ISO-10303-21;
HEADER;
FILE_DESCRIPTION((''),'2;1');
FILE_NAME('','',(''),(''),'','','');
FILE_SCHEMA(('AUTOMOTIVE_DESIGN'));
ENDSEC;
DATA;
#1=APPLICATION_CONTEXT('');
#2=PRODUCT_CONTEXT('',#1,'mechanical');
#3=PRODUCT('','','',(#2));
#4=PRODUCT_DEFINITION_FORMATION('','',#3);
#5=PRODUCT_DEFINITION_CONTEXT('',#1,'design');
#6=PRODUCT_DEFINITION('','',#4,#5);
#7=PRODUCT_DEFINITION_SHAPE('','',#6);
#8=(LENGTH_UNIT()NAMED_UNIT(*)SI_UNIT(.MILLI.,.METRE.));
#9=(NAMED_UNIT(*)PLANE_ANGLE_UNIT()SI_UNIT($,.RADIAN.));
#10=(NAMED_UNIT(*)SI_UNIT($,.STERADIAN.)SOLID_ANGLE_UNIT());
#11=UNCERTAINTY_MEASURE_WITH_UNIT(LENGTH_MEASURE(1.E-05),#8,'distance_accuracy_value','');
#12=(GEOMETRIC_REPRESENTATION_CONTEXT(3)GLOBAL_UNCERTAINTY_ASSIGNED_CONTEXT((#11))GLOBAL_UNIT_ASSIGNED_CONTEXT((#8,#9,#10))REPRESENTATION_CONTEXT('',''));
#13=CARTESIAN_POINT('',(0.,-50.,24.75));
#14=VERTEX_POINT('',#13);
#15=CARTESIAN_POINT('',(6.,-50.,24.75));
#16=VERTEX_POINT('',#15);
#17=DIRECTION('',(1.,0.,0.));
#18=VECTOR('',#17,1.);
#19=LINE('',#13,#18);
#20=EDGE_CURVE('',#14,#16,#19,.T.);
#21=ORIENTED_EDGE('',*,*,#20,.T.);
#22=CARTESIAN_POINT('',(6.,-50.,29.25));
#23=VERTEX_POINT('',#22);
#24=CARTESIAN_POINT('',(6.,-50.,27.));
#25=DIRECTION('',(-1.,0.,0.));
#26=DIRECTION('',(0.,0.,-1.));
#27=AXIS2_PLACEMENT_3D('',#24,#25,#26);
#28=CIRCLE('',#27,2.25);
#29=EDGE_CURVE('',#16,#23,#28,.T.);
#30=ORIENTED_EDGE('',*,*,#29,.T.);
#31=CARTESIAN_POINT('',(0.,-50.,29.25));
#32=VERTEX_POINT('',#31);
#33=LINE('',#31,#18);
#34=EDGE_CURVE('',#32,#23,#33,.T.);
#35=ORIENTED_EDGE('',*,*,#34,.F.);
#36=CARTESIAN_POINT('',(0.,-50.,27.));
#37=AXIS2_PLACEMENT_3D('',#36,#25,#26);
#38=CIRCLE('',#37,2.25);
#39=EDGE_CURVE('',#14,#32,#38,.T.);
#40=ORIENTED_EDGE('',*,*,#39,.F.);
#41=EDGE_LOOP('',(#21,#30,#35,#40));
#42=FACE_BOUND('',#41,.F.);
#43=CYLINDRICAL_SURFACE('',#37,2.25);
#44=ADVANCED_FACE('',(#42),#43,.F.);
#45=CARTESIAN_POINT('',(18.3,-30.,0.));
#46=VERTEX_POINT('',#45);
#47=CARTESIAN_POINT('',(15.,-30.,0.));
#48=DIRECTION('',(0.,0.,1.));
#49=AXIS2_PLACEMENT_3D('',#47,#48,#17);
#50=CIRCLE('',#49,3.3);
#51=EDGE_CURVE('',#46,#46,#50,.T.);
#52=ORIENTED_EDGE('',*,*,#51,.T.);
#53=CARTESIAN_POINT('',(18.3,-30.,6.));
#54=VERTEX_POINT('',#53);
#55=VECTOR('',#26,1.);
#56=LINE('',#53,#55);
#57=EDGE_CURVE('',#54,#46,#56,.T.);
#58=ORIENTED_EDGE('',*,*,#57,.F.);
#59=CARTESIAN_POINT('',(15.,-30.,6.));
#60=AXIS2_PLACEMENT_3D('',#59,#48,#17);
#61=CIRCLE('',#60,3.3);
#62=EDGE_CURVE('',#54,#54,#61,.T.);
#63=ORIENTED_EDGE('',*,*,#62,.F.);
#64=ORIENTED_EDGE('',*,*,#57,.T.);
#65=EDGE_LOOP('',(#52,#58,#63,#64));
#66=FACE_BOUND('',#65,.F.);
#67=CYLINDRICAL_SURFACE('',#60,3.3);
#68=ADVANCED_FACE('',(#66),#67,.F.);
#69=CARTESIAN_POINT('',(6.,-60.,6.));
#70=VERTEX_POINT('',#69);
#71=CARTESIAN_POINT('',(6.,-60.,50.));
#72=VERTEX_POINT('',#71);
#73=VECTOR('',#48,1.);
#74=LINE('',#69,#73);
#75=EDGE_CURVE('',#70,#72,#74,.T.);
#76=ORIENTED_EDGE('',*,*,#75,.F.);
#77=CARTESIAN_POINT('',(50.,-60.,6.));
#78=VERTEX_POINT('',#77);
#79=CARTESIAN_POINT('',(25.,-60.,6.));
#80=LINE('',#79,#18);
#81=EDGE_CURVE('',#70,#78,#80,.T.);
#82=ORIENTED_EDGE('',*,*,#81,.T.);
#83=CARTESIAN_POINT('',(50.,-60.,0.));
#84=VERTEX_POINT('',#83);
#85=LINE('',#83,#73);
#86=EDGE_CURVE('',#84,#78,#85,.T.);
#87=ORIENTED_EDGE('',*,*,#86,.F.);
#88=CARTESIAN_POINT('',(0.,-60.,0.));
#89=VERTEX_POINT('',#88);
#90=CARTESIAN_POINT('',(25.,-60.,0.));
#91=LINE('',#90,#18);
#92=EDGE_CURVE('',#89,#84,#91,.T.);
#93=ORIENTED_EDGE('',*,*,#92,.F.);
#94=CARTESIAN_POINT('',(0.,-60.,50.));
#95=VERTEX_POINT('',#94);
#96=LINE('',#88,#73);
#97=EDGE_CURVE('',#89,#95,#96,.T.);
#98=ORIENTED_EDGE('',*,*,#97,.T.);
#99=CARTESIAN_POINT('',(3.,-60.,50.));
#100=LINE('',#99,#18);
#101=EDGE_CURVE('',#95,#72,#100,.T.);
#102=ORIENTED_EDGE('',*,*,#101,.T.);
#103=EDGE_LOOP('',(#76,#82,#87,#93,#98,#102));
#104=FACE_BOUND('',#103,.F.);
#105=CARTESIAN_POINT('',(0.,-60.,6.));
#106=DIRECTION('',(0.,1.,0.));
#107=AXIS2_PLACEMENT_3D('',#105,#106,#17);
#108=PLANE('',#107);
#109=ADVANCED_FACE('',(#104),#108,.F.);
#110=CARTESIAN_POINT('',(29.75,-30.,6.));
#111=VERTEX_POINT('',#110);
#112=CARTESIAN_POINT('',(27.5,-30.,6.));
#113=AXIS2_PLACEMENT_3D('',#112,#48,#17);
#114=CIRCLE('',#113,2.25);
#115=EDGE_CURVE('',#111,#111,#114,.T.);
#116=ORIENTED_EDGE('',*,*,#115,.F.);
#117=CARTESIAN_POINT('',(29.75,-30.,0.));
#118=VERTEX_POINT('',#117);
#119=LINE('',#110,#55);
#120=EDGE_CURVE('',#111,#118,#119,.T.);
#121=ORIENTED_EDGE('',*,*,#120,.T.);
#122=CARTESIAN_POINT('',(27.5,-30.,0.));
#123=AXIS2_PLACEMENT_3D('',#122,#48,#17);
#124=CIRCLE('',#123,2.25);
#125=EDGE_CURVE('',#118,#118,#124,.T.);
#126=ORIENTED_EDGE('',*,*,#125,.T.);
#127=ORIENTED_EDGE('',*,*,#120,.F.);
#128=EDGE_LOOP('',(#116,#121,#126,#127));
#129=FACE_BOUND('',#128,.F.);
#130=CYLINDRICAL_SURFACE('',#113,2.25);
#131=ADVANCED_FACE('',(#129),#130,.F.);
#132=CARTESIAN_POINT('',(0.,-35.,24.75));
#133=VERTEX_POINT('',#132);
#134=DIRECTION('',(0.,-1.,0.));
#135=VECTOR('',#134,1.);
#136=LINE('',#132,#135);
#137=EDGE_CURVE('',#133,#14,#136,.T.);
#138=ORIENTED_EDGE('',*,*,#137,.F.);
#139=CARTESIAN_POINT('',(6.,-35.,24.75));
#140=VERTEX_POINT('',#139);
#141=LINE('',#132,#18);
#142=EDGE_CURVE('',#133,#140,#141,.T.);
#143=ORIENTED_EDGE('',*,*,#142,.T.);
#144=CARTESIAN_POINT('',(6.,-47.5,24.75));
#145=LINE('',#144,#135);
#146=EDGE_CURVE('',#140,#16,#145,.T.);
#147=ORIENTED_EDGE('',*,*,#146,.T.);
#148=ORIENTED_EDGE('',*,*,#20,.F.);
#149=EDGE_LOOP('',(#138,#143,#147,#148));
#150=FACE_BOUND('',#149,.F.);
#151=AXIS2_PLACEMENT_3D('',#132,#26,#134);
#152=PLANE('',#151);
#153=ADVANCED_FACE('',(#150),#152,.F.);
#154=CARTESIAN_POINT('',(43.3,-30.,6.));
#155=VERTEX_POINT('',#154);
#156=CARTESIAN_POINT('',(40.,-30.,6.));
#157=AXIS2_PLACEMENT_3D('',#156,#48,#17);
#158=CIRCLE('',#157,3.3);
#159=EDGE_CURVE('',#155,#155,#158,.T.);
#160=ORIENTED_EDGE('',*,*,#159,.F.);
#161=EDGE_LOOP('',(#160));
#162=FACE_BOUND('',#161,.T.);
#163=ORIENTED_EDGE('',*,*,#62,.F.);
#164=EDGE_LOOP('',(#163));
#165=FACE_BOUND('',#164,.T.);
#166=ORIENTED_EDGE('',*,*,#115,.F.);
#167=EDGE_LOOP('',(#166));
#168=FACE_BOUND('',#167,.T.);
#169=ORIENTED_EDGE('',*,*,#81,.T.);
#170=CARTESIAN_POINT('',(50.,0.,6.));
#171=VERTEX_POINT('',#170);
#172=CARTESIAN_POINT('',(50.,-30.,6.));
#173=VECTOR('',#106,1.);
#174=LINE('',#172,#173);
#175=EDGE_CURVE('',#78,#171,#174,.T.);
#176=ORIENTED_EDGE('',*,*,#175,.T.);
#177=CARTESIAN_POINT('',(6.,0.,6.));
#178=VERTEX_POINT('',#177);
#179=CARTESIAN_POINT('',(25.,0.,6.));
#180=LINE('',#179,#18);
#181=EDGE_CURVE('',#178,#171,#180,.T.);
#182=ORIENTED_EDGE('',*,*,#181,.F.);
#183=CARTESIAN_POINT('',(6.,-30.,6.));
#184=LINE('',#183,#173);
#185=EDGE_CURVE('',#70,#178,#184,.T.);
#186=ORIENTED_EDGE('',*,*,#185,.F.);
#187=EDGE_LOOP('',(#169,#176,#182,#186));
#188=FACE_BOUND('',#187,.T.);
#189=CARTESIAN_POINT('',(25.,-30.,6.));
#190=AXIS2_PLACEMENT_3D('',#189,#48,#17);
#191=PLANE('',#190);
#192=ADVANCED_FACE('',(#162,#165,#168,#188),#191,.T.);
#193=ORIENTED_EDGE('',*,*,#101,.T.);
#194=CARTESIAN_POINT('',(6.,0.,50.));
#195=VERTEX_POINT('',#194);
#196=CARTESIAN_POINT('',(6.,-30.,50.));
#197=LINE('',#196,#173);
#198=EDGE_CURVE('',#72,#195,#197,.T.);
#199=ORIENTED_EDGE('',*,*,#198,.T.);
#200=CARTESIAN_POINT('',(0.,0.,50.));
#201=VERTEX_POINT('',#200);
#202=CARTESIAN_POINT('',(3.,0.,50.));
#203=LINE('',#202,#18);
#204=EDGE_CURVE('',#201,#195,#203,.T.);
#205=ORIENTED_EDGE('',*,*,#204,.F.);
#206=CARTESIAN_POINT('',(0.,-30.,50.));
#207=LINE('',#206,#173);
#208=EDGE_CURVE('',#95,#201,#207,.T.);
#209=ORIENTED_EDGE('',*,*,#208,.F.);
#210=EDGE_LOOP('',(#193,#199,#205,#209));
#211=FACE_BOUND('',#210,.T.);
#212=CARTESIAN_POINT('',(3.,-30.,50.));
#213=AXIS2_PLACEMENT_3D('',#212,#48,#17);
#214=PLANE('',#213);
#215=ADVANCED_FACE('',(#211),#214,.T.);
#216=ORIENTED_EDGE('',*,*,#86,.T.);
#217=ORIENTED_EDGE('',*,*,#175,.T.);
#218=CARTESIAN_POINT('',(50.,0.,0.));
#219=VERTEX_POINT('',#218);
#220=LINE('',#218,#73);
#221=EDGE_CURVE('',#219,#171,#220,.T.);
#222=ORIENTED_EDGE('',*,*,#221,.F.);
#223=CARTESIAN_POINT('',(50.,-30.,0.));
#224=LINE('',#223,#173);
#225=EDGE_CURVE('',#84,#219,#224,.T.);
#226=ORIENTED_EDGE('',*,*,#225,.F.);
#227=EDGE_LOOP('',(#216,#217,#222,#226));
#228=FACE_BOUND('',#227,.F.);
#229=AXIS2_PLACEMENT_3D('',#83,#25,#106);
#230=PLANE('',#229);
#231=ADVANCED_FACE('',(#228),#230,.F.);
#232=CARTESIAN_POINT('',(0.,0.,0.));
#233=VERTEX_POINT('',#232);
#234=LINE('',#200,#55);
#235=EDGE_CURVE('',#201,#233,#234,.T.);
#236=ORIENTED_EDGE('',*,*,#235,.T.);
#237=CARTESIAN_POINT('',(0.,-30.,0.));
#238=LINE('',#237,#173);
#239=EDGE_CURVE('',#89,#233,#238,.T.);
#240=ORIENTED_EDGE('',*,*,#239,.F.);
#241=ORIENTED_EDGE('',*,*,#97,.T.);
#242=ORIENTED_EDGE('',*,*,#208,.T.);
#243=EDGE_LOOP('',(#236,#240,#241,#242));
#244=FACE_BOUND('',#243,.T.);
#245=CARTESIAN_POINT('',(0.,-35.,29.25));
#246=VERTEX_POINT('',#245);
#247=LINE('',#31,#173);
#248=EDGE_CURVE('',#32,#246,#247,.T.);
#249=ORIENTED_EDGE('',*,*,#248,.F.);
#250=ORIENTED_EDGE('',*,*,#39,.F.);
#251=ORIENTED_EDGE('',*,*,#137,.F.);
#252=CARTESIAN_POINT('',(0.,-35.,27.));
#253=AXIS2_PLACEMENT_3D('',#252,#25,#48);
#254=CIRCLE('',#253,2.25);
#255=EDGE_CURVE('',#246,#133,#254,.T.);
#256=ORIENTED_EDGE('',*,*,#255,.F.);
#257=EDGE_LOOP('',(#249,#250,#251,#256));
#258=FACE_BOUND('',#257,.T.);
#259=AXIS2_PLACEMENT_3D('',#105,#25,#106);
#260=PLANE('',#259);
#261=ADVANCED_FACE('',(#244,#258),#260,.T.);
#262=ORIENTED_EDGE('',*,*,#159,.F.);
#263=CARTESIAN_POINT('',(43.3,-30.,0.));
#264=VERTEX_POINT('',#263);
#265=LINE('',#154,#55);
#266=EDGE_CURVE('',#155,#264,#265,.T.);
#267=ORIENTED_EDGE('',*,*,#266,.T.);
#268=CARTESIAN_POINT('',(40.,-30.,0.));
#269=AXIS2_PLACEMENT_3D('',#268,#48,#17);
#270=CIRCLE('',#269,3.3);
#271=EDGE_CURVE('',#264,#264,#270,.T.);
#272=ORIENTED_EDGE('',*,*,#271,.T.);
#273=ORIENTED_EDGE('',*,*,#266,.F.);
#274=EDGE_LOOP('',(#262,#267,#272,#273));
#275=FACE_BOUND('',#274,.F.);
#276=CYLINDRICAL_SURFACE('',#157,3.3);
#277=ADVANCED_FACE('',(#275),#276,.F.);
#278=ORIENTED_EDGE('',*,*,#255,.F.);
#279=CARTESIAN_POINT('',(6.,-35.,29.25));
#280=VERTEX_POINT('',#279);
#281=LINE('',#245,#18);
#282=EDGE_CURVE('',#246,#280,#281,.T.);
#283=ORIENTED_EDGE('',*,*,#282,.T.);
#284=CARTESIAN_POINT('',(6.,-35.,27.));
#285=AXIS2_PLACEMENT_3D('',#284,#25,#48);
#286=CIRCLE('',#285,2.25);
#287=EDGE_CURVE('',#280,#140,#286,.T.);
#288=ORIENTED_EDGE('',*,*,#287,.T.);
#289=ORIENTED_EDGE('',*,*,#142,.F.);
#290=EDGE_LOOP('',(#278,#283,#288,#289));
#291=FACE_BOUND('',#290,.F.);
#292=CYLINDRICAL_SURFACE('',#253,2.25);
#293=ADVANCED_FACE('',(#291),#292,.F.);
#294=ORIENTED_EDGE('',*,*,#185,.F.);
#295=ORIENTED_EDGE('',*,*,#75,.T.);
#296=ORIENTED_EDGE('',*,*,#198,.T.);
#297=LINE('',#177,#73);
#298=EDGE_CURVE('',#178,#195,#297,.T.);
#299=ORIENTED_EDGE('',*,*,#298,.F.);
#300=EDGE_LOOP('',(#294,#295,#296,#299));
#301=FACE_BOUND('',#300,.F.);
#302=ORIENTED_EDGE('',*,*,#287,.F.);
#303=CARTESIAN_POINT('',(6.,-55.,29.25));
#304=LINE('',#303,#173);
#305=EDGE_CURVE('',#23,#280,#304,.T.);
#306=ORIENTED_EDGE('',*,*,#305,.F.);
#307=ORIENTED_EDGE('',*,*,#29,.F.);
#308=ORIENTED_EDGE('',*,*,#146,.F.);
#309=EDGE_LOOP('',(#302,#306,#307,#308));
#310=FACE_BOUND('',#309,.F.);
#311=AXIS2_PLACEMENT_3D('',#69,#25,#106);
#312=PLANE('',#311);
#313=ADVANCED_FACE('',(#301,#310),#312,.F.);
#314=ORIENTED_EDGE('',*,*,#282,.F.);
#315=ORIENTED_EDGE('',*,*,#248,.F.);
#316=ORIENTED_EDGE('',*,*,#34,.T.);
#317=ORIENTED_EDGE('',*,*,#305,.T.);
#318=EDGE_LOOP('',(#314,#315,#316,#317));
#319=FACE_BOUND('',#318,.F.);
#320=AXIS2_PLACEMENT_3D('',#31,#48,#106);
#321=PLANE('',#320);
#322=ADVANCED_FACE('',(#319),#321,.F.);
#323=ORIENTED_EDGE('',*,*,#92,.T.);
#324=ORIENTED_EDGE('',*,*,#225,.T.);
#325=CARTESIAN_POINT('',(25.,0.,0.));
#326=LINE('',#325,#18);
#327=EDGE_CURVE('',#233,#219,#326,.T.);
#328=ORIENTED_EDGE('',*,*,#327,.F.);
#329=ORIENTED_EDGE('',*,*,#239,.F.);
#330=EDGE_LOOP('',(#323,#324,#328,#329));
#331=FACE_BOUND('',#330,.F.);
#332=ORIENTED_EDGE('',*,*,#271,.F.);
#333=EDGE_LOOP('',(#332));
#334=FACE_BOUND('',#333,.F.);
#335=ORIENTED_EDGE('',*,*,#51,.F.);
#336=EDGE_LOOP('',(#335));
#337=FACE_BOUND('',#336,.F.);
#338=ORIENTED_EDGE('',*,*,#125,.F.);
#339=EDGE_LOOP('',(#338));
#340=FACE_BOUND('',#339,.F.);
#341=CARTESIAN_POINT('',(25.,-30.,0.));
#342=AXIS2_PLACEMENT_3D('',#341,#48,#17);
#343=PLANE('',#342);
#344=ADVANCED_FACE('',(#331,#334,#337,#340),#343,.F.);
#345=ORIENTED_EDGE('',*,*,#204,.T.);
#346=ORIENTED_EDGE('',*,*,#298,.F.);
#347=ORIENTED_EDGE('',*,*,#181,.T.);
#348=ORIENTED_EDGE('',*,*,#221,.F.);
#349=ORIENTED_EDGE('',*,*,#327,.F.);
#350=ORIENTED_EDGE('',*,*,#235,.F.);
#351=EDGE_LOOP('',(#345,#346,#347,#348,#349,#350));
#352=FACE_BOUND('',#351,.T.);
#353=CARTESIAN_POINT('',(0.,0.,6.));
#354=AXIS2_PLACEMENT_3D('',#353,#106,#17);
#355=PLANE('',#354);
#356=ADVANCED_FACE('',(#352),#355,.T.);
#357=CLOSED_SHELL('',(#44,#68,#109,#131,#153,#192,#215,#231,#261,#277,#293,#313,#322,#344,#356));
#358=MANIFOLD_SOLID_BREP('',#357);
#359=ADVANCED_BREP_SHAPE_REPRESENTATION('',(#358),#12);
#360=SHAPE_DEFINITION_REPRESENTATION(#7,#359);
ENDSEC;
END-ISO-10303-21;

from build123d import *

# Parameters (mm, degrees)
F0_W     = 50
F0_H     = 60
F1_DEPTH = 6
F2_W     = 6
F2_H     = 60
F3_DEPTH = 44
F5_DEPTH = 50.001
F6_R     = 2.25
F6_R_2   = 3.3
F7_DEPTH = 25


with BuildPart() as f1:
    # F0 (on Top) → F1 (new body)
    with BuildSketch(Plane.XY):
        with Locations((25, -30)):
            Rectangle(F0_W, F0_H)
    extrude(amount=F1_DEPTH)

    # F2 (on face) → F3 (join)
    with BuildSketch(Plane.XY.offset(6)):
        with Locations((3, -30)):
            Rectangle(F2_W, F2_H)
    extrude(amount=F3_DEPTH)

    # F4 (on face) → F5 (cut, through all)
    with BuildSketch(Plane(origin=(0, 0, 0), x_dir=(0, -1, 0), z_dir=(-1, 0, 0))):
        with BuildLine():
            Line((50, 29.25), (35, 29.25))
            ThreePointArc((35, 29.25), (32.75, 27), (35, 24.75))
            Line((35, 24.75), (50, 24.75))
            ThreePointArc((50, 24.75), (52.25, 27), (50, 29.25))
        make_face()
    extrude(amount=-F5_DEPTH, mode=Mode.SUBTRACT)

    # F6 (on face) → F7 (cut)
    with BuildSketch(Plane.XY.offset(6)):
        with Locations((27.5, -30)):
            Circle(F6_R)
        with Locations((15, -30)):
            Circle(F6_R_2)
        with Locations((40, -30)):
            Circle(F6_R_2)
    extrude(amount=-F7_DEPTH, mode=Mode.SUBTRACT)


solid = f1.part
